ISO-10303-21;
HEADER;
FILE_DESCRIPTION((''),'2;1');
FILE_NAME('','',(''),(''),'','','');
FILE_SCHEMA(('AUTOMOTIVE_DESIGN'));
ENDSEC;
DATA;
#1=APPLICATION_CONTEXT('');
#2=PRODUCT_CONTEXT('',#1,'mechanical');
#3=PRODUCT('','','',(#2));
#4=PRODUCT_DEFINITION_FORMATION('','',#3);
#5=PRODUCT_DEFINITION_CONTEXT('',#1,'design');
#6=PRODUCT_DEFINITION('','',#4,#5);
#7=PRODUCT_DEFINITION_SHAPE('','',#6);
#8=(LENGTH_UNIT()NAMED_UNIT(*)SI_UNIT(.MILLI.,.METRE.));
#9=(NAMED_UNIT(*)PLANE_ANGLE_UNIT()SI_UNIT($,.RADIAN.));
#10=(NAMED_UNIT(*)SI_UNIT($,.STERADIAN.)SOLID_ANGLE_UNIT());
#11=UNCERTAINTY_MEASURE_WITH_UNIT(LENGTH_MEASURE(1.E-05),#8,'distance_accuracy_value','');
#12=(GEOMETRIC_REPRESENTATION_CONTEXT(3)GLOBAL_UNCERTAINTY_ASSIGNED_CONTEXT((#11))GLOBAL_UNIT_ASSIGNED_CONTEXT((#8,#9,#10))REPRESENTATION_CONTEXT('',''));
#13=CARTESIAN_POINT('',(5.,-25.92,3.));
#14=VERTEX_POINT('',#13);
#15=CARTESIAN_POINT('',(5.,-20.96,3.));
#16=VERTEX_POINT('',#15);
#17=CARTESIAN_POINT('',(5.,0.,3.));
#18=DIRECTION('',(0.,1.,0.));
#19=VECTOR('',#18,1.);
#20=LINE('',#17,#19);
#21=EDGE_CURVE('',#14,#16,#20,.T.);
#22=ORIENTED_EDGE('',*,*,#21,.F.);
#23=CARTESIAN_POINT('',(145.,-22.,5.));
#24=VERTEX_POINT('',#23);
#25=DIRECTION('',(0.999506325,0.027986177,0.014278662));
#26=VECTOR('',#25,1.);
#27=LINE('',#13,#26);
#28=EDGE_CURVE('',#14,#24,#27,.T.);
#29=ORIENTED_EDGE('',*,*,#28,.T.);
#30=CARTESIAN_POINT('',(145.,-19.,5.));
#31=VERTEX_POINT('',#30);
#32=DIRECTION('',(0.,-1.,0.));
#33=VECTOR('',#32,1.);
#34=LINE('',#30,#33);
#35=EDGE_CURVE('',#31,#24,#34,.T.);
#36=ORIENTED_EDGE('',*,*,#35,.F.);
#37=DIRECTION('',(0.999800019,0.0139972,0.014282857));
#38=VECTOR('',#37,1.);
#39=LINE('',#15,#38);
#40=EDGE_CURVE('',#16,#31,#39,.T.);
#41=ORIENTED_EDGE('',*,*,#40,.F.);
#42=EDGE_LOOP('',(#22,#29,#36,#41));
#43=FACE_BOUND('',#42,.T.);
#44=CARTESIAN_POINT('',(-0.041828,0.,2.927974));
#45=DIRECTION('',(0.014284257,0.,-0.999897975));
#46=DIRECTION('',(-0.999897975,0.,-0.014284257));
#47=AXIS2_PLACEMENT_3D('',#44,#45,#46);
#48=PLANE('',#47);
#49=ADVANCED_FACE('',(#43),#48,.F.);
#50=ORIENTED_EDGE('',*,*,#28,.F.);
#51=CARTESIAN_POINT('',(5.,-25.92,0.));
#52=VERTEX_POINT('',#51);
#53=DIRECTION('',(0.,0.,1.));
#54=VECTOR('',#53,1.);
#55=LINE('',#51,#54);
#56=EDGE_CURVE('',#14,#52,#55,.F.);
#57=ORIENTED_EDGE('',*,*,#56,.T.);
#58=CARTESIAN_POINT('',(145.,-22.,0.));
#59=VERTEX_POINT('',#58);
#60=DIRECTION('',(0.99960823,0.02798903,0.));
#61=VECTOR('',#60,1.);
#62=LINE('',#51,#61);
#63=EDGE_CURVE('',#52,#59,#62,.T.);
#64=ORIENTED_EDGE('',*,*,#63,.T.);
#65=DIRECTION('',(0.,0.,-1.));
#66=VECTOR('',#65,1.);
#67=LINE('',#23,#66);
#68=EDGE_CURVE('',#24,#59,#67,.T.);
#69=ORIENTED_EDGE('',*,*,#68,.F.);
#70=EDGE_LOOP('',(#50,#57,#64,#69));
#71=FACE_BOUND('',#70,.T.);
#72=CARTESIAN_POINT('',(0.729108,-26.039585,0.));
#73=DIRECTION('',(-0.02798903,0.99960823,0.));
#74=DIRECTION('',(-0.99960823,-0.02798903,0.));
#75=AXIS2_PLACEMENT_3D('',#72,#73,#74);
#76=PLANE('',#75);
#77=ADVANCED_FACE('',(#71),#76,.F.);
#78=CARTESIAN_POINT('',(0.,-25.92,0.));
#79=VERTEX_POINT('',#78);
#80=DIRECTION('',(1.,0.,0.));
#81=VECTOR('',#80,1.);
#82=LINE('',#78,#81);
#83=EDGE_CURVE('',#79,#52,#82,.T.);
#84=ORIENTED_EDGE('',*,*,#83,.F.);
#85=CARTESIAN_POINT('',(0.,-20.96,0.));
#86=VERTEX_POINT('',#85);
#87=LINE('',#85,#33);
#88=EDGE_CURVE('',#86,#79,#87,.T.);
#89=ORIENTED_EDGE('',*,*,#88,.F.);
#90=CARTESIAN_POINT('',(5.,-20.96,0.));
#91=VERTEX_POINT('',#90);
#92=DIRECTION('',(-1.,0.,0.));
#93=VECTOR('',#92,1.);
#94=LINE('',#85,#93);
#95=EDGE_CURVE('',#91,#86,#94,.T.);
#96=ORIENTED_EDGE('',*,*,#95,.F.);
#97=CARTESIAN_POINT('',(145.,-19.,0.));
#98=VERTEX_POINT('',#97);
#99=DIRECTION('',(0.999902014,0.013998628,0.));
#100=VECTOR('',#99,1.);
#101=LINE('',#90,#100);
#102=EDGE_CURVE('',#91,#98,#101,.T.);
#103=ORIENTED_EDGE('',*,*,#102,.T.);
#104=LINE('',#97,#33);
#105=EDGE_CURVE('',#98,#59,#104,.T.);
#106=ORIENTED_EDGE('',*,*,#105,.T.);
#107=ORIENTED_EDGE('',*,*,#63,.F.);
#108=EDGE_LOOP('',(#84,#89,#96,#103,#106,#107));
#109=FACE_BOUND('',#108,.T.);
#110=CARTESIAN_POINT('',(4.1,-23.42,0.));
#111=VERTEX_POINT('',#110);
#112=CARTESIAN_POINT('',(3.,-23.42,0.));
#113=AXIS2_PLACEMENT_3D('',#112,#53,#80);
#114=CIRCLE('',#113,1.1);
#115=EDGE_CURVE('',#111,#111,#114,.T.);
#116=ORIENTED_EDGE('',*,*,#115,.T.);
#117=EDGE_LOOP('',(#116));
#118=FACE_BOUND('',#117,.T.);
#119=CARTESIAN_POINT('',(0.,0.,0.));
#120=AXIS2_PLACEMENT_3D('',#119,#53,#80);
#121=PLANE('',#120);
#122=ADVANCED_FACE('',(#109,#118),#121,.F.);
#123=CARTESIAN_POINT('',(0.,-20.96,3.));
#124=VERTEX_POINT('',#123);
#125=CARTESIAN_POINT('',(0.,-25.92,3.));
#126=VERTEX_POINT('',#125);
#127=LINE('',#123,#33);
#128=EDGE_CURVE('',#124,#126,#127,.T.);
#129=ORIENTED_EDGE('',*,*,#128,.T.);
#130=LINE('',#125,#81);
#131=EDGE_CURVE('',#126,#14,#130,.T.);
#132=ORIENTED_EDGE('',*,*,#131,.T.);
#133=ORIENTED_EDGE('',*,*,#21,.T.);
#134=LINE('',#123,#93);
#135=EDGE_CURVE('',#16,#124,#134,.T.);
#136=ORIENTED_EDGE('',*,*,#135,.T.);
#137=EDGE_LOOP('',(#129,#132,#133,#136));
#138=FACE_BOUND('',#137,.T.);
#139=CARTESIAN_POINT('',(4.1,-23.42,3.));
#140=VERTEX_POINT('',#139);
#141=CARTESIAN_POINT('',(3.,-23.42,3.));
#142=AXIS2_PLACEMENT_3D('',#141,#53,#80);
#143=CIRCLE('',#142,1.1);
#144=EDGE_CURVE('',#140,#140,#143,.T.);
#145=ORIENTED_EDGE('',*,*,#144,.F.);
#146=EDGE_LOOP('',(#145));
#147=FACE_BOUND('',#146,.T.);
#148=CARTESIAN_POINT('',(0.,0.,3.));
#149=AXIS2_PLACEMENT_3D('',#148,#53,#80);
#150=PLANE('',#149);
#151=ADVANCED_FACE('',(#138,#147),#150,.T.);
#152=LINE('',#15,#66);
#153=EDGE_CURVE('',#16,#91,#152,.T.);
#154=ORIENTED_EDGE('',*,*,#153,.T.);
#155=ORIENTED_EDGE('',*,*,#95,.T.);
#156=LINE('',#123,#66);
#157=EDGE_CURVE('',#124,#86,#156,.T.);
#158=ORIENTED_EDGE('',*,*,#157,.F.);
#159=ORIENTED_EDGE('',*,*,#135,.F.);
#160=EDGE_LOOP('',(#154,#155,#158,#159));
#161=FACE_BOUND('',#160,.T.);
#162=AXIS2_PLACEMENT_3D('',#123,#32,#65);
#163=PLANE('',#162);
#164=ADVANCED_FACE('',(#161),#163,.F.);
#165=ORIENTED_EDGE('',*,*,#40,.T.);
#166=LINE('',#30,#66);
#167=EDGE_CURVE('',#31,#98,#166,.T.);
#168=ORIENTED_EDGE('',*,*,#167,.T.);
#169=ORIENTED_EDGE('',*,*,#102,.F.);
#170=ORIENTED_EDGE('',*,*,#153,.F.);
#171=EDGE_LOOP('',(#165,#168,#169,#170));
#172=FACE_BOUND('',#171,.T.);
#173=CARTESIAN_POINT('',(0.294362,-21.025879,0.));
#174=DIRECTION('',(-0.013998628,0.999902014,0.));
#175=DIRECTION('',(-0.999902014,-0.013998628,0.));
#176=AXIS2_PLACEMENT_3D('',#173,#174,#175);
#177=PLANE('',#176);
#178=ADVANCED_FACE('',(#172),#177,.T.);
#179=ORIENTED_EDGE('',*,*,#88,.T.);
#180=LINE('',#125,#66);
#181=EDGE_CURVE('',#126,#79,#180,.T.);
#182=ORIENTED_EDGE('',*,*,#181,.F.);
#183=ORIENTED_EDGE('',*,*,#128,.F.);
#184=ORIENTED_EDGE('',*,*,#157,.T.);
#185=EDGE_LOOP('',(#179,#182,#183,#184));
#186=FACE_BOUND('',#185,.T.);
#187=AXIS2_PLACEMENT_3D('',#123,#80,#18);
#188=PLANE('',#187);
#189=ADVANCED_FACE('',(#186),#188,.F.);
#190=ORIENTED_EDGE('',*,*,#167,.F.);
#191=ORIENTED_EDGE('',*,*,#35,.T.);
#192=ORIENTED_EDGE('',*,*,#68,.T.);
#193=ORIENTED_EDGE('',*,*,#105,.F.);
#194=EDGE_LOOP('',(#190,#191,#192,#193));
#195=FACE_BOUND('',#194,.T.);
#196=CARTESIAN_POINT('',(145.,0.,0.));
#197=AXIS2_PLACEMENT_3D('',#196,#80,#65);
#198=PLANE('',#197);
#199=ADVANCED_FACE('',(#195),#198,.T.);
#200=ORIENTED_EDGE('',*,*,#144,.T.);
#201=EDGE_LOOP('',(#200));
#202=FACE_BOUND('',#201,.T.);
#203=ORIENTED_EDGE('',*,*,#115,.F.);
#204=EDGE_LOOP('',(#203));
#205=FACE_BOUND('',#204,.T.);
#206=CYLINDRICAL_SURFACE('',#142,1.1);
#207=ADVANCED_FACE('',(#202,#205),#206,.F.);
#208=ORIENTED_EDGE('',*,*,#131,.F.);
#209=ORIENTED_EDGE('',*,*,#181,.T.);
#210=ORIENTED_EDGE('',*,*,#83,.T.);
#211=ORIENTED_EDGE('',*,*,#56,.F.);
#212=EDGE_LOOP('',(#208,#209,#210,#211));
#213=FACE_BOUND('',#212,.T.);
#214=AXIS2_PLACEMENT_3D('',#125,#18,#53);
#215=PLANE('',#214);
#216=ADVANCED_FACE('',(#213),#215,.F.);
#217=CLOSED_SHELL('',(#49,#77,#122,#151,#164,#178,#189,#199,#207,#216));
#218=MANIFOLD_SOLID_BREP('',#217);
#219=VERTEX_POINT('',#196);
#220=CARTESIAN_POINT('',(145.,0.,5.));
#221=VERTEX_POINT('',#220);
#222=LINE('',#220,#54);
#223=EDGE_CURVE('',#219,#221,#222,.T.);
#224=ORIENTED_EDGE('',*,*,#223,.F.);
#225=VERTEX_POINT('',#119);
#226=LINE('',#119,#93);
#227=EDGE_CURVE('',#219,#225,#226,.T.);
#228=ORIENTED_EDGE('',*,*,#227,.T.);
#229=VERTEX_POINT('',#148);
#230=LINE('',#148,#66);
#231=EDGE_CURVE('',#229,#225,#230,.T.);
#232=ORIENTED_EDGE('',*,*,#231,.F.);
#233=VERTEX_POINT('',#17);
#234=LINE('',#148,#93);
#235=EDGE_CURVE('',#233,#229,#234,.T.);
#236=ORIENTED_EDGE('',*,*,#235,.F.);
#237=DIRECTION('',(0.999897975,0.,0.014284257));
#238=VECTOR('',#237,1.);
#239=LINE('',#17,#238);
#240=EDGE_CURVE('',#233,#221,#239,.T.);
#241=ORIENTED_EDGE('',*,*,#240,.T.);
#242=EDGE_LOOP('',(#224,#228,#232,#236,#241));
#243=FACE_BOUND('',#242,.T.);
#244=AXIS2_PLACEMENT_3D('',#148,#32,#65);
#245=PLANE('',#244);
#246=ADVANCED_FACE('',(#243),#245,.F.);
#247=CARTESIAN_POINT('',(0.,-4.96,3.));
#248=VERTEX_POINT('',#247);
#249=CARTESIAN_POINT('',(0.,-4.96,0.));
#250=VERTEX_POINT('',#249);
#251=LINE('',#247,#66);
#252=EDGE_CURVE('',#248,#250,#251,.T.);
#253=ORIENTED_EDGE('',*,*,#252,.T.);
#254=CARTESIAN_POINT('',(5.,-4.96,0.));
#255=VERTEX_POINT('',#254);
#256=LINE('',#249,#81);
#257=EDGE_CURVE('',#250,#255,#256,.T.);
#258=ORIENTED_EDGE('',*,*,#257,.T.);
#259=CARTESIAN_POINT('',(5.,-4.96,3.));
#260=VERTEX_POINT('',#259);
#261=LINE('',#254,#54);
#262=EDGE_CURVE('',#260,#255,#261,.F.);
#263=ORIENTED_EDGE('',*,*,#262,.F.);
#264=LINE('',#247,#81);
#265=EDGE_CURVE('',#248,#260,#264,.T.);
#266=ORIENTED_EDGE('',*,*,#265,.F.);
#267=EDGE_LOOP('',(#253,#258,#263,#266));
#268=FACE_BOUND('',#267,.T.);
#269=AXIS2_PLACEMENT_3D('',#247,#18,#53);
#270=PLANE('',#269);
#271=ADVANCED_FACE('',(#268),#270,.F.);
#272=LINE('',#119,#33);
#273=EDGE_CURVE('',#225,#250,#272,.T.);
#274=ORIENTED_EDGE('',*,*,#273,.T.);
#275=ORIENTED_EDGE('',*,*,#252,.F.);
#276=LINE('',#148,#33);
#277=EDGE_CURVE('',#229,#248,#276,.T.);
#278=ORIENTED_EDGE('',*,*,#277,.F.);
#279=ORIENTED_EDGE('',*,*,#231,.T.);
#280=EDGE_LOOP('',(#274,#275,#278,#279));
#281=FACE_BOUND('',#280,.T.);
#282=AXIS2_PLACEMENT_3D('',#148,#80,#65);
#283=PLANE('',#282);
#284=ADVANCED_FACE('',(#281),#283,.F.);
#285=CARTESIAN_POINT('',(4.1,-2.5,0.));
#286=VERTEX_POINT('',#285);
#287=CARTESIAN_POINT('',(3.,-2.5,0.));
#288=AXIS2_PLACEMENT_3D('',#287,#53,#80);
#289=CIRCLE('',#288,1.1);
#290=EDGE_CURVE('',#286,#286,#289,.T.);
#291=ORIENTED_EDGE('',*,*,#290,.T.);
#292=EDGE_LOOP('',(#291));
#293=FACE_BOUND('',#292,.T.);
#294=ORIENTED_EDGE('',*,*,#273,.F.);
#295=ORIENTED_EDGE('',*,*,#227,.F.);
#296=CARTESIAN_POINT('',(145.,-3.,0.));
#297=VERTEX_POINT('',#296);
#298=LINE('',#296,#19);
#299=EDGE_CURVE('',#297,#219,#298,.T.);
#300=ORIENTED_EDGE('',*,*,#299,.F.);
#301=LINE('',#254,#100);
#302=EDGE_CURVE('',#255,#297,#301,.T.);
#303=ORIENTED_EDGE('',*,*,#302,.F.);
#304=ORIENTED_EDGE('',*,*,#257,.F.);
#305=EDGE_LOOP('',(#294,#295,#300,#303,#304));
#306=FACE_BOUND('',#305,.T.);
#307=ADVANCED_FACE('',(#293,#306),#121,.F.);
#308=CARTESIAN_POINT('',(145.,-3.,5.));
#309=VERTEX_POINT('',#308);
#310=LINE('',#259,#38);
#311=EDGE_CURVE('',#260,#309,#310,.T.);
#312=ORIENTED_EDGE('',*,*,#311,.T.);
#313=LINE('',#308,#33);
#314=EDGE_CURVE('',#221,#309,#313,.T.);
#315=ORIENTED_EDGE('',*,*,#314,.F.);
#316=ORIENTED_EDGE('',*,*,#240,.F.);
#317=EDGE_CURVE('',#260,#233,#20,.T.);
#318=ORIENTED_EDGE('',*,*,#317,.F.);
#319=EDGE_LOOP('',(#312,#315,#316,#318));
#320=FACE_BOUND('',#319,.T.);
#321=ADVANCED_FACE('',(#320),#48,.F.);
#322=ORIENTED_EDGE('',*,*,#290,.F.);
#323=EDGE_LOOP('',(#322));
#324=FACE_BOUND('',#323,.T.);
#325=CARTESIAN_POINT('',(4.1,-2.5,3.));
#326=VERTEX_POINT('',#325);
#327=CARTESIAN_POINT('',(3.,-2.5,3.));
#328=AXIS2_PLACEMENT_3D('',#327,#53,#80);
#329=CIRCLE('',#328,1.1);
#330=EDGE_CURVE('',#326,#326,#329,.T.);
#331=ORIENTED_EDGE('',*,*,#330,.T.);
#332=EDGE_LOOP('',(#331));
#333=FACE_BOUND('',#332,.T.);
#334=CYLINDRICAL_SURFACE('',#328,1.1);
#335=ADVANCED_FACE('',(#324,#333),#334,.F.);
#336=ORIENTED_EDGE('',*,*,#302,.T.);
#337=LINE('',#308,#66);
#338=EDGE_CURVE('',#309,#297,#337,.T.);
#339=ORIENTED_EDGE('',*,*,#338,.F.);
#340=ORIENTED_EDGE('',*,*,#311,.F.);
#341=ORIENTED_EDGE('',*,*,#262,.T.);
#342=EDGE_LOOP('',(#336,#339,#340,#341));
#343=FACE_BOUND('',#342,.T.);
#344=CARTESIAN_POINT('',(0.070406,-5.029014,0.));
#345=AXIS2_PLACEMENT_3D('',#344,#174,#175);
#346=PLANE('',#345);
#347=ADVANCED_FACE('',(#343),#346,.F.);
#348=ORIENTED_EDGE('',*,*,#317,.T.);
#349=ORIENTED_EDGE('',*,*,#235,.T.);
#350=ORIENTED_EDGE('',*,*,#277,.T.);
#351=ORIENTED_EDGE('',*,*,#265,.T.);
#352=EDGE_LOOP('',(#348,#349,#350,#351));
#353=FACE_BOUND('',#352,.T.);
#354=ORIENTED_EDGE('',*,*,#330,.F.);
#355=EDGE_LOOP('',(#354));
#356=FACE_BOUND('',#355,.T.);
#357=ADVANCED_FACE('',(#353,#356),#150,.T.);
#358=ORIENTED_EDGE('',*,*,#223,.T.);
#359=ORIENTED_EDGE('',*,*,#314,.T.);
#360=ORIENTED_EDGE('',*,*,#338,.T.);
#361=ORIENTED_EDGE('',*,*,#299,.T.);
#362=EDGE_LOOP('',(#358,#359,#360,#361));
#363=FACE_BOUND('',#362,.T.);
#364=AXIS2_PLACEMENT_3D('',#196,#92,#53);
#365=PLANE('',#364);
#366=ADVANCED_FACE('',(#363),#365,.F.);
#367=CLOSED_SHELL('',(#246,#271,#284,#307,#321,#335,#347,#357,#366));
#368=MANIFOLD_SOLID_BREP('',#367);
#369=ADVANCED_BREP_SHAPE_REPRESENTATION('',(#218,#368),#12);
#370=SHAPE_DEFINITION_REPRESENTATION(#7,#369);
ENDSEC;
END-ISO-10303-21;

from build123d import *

# Parameters (mm, degrees)
SKIZZE1_W                         = 5
SKIZZE1_H                         = 4.96
AUFSATZ_LINEAR_AUSTRAGEN1_DEPTH   = 3
AUFSATZ_LINEAR_AUSTRAGEN1_2_DEPTH = 3
DURCHGANGSLOCH_F_R_M21_AT_2_COUNT = 2
DURCHGANGSLOCH_F_R_M21_AT_2_PITCH = 20.92
SKIZZE6_W                         = 5
SKIZZE6_H                         = 3
SKIZZE7_W                         = 5
SKIZZE7_H                         = 3


with BuildPart() as part:
    # Skizze1 → Aufsatz-Linear austragen1 (new body)
    with BuildSketch(Plane.XY):
        with Locations((2.5, -2.48)):
            Rectangle(SKIZZE1_W, SKIZZE1_H)
    extrude(amount=AUFSATZ_LINEAR_AUSTRAGEN1_DEPTH)

    # Skizze2 → Durchgangsloch für M21 (revolve, cut)
    with BuildSketch(Plane(origin=(3, -2.5, 3), x_dir=(0, -1, 0), z_dir=(1, 0, 0))):
        Polygon((0, 0), (0, 3.660946681), (1.1, 3), (1.1, 0), align=None)
    durchgangsloch_f_r_m21 = revolve(axis=Axis((3, -2.5, 9.35), (0, 0, -1)), mode=Mode.SUBTRACT)

    # Skizze7 → section 1 of ausformung3
    with BuildSketch(Plane(origin=(145, 0, 0), x_dir=(0, 0, -1), z_dir=(1, 0, 0)), mode=Mode.PRIVATE) as ausformung3_s1:
        with Locations((-2.5, -1.5)):
            Rectangle(SKIZZE7_W, SKIZZE7_H)
    # loft from a face of the part (ausformung3)
    loft([part.faces().sort_by_distance((5, -2.48, 1.5))[0], ausformung3_s1.sketch])


with BuildPart() as body_2:
    # Skizze1 → Aufsatz-Linear austragen1 2 (new body)
    with BuildSketch(Plane.XY):
        with Locations((2.5, -23.44)):
            Rectangle(SKIZZE1_W, SKIZZE1_H)
    extrude(amount=AUFSATZ_LINEAR_AUSTRAGEN1_2_DEPTH)

    # Durchgangsloch für M21 at 2: Durchgangsloch für M21 ×2
    with Locations(*[(0, -i * DURCHGANGSLOCH_F_R_M21_AT_2_PITCH, 0) for i in range(1, DURCHGANGSLOCH_F_R_M21_AT_2_COUNT)]):
        add(durchgangsloch_f_r_m21, mode=Mode.SUBTRACT)

    # Skizze6 → section 1 of ausformung1
    with BuildSketch(Plane(origin=(145, 0, 0), x_dir=(0, 0, -1), z_dir=(1, 0, 0)), mode=Mode.PRIVATE) as ausformung1_s1:
        with Locations((-2.5, -20.5)):
            Rectangle(SKIZZE6_W, SKIZZE6_H)
    # loft from a face of the part (ausformung1)
    loft([body_2.faces().sort_by_distance((5, -23.44, 1.5))[0], ausformung1_s1.sketch])


solid = Compound([part.part, body_2.part])
